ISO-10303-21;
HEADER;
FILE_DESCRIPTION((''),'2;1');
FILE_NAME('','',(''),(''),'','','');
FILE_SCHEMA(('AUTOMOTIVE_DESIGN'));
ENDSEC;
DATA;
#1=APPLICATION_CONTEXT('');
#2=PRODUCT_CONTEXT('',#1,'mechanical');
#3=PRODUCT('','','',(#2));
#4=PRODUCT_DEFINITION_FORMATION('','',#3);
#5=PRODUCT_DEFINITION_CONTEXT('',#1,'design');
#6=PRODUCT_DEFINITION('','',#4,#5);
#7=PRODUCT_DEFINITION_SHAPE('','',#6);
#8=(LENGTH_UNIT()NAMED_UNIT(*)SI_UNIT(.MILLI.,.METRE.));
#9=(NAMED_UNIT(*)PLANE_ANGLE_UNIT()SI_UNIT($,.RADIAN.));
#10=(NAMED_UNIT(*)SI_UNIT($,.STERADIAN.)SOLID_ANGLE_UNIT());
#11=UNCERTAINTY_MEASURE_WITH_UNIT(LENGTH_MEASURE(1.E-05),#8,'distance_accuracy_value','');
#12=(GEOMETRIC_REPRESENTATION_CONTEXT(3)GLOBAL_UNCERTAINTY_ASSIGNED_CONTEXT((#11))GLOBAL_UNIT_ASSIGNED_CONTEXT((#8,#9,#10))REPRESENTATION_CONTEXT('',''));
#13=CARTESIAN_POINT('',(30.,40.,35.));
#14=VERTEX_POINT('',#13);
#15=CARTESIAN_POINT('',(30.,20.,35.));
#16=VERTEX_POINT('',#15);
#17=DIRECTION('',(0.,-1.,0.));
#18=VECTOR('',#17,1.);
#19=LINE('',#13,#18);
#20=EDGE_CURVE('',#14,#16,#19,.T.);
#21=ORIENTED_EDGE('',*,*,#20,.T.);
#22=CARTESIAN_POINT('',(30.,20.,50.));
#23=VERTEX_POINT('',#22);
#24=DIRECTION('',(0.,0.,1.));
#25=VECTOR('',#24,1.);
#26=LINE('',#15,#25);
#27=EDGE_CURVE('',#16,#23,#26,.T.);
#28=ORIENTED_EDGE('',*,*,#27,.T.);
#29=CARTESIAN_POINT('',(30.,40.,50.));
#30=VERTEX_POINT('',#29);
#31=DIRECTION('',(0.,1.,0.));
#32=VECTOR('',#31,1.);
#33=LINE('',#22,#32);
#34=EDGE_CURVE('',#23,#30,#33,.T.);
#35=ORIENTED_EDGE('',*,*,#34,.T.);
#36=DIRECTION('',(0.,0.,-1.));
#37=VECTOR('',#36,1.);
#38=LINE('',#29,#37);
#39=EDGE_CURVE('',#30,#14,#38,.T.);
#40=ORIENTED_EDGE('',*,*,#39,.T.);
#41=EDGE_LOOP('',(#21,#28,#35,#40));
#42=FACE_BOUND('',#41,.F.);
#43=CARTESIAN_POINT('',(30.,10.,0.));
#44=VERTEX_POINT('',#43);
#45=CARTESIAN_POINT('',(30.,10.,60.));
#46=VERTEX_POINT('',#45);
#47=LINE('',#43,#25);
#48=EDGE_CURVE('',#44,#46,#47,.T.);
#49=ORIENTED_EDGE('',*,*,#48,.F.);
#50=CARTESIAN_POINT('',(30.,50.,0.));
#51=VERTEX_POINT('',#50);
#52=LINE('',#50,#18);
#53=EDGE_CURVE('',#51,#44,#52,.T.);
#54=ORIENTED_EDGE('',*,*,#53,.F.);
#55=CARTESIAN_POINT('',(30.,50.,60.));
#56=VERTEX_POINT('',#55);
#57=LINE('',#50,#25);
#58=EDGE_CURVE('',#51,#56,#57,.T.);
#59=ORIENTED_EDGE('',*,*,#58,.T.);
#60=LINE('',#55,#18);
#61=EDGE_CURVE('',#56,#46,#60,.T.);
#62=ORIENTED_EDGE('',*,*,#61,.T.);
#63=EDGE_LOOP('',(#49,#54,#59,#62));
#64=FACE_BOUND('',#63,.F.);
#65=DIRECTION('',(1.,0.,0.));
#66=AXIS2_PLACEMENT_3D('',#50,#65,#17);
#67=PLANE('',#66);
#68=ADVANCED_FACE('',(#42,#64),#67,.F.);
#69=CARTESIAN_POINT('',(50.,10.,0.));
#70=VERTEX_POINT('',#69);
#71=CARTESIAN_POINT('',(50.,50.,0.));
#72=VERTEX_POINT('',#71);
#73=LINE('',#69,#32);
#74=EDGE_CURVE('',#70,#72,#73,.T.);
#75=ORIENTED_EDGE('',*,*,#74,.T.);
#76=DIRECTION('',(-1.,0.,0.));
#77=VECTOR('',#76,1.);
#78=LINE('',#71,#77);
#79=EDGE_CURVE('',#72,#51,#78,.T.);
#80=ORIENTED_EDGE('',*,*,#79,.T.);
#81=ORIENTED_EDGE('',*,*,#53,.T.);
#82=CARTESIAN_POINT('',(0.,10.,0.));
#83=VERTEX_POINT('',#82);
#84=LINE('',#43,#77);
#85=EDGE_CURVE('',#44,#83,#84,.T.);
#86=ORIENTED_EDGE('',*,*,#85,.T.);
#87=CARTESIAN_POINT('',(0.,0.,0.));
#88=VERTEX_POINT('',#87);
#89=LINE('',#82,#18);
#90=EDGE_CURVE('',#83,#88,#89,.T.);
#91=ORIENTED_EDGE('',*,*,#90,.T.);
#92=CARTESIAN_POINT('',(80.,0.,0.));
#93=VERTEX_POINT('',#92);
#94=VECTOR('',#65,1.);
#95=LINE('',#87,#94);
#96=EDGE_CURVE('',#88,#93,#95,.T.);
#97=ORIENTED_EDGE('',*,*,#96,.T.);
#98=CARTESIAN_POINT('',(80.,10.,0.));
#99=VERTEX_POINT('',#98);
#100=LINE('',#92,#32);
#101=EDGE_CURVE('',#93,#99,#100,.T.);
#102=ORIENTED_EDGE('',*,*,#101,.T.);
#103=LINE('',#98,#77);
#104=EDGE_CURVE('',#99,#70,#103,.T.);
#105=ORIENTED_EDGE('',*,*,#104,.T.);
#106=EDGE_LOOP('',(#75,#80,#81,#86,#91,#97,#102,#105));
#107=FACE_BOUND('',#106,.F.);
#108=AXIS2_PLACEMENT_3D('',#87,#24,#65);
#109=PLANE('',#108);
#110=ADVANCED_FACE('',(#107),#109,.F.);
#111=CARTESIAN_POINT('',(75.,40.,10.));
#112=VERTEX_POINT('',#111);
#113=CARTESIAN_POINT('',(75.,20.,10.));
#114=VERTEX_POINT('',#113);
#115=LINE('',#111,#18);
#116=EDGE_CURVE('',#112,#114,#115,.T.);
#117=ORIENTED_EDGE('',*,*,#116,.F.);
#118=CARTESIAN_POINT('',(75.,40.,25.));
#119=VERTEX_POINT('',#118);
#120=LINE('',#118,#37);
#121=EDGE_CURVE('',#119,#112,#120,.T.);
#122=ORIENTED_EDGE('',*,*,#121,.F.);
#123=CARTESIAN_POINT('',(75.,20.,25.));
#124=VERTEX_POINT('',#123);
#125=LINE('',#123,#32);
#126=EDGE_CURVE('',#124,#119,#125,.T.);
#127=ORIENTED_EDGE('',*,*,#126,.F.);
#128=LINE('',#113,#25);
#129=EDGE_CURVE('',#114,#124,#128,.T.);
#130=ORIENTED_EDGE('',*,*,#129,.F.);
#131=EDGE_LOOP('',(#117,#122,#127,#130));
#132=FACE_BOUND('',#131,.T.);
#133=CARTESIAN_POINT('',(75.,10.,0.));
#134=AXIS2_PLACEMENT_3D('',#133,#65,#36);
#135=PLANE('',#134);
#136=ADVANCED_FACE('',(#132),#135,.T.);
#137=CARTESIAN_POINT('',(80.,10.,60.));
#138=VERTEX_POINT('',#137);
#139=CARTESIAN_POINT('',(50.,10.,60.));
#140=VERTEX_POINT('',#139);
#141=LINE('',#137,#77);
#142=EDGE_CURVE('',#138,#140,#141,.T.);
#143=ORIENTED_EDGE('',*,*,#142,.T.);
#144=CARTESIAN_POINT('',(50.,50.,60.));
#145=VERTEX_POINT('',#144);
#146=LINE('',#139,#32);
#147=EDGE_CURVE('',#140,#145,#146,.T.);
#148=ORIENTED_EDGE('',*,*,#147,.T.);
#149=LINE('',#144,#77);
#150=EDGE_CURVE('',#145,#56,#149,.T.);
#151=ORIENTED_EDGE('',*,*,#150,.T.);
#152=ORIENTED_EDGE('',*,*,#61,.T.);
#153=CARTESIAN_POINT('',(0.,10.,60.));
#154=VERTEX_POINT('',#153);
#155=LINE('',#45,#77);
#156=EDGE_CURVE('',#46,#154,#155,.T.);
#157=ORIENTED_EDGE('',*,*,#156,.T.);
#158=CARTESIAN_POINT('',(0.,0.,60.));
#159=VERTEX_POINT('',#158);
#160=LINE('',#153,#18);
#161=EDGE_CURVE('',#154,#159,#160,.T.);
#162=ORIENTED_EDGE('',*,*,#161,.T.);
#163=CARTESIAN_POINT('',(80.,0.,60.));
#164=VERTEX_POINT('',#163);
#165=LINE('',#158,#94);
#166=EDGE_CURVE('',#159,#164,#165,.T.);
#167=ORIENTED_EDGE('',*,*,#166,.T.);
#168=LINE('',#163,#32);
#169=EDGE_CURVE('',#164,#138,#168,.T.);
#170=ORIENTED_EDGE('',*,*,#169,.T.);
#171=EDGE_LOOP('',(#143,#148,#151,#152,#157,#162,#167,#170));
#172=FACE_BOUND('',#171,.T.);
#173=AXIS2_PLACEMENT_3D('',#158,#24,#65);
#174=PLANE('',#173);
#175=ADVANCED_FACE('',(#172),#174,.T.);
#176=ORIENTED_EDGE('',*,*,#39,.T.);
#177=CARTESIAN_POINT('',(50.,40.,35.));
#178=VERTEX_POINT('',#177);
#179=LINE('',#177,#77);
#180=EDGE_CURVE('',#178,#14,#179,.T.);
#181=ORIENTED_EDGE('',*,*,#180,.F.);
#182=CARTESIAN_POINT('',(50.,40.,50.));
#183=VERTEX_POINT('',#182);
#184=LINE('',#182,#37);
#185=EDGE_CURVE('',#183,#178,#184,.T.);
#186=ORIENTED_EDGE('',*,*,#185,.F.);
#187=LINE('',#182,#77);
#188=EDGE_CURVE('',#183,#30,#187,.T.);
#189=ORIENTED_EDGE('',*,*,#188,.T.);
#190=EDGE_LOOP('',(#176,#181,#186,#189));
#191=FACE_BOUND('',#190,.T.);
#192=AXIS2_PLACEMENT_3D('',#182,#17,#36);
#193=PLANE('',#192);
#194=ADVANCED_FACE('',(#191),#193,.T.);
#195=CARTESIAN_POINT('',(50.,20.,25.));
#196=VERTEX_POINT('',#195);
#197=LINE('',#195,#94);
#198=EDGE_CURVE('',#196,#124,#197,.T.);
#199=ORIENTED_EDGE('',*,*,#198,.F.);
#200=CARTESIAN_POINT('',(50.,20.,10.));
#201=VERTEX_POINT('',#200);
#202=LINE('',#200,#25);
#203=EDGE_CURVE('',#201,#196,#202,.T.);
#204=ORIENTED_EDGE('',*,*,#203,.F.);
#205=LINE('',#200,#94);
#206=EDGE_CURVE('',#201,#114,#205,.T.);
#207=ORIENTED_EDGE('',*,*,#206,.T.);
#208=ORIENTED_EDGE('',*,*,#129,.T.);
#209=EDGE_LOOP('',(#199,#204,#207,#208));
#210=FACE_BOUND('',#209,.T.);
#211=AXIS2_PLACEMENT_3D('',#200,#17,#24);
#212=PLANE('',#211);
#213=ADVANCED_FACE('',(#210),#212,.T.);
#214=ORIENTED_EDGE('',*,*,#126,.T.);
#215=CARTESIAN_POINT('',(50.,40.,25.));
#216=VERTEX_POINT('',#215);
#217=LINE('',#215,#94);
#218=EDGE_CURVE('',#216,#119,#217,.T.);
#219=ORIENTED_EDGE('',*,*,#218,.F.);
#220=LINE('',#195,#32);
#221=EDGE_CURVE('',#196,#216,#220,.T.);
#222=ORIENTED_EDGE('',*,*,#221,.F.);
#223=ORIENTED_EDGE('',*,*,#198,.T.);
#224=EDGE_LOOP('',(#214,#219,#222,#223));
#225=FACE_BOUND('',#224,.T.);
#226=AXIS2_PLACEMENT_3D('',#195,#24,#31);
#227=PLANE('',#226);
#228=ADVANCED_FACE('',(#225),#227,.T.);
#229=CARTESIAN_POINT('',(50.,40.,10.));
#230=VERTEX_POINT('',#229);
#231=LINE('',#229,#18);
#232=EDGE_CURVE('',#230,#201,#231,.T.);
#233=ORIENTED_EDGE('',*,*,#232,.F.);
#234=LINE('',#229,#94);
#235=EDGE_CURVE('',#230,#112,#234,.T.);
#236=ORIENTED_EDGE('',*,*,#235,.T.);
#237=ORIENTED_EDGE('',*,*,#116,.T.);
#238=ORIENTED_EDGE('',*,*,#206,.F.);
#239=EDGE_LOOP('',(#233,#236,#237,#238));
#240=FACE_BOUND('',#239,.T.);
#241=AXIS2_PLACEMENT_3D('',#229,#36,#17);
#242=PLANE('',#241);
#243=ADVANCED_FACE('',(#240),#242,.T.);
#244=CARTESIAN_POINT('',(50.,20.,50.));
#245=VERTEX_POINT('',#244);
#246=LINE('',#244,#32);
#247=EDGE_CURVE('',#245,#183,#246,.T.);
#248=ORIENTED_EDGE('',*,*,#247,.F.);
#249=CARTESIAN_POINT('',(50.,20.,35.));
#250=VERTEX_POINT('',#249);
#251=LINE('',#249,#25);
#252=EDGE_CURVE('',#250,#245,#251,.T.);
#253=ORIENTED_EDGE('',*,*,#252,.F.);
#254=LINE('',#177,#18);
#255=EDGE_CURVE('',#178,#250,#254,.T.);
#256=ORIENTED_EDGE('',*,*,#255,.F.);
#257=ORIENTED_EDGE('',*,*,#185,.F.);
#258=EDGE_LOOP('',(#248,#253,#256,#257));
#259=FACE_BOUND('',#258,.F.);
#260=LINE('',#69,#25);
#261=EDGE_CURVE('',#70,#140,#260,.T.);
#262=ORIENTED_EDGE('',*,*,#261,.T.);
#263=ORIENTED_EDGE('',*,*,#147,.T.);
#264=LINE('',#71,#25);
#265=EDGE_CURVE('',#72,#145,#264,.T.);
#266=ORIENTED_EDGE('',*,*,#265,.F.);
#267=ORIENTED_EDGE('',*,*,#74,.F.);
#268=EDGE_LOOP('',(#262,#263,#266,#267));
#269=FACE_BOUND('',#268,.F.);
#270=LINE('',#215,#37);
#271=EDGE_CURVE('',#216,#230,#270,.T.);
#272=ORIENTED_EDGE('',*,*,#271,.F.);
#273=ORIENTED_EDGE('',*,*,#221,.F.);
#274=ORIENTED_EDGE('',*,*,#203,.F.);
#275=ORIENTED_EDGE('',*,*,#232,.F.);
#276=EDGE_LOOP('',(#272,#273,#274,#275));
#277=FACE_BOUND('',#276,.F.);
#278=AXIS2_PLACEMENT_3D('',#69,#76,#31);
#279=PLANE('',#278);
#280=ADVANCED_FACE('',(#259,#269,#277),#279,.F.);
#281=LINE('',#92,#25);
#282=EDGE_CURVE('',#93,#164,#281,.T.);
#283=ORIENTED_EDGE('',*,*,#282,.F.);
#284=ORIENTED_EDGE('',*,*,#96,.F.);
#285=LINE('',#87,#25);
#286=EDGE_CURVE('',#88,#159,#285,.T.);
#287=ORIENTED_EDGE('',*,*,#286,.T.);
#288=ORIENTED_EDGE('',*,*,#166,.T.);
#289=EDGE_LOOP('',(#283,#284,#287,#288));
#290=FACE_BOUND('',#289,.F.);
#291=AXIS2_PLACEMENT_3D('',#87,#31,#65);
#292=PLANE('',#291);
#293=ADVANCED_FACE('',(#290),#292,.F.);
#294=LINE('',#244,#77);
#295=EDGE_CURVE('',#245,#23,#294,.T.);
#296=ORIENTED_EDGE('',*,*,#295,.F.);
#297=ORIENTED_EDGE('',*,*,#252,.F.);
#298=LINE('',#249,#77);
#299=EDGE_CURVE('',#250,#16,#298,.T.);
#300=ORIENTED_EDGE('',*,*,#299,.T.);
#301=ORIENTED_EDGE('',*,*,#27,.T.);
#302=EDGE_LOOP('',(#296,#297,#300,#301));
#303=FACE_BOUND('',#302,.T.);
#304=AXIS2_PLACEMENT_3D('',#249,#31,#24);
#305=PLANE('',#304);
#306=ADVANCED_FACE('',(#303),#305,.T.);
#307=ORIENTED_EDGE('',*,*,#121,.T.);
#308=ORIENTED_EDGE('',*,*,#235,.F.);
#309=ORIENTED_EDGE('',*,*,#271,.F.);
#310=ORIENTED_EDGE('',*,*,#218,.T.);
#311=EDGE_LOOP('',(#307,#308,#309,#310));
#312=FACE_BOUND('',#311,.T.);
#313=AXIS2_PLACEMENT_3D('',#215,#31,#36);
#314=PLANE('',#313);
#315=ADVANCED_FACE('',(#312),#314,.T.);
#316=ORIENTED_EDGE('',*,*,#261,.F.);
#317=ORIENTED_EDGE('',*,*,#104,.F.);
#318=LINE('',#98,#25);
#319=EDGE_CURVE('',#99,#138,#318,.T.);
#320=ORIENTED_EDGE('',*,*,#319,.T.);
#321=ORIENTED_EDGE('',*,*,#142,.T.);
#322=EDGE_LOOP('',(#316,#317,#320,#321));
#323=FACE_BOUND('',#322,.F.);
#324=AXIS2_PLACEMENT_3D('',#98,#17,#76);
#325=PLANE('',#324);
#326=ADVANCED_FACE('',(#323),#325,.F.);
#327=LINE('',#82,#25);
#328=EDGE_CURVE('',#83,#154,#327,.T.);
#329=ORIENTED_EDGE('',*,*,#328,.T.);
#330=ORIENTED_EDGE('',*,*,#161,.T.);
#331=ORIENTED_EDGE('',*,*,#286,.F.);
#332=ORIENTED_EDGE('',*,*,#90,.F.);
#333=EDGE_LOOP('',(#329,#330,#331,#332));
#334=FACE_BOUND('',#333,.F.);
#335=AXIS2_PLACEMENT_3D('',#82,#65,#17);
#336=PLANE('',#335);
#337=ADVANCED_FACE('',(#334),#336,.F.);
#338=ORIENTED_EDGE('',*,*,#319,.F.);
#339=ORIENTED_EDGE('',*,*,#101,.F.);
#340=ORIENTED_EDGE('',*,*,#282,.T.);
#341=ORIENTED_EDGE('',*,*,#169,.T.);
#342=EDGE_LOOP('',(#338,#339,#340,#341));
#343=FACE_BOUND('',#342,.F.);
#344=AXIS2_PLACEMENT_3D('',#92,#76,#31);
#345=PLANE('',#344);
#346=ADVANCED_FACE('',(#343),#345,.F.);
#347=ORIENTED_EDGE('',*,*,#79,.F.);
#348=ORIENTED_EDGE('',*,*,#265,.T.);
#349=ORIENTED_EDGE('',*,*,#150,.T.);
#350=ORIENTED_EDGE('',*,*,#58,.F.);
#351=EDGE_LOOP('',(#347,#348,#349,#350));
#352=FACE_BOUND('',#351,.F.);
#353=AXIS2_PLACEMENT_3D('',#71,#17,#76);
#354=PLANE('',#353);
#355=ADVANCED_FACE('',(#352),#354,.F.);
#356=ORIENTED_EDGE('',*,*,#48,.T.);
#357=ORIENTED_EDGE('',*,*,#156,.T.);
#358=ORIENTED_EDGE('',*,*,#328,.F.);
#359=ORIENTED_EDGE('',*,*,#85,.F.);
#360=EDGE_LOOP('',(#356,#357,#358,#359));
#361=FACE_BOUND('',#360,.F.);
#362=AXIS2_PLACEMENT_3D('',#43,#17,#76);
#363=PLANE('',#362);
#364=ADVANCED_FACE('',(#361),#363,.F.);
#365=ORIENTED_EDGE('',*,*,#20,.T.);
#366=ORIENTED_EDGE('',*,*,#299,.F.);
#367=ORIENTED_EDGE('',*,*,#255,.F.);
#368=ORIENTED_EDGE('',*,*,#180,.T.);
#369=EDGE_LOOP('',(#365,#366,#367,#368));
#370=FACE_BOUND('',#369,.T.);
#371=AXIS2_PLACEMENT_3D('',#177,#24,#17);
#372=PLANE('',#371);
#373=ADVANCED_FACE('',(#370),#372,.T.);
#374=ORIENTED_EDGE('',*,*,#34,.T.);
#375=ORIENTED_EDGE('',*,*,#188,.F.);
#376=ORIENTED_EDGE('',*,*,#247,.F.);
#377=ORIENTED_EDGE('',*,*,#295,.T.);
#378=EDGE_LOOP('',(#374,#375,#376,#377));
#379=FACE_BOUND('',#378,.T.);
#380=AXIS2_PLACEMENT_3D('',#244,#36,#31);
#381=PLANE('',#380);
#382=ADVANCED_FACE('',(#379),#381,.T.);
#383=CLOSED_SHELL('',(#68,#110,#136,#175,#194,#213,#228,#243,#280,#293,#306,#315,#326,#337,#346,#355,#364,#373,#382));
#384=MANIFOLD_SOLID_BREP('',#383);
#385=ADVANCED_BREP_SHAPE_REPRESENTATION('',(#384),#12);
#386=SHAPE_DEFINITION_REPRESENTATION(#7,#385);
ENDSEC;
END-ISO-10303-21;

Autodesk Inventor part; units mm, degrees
ref_plane "YZ Plane" through (0, 0, 0) normal (1, 0, 0) x (0, 1, 0)
ref_plane "XZ Plane" through (0, 0, 0) normal (0, 1, 0) x (-1, 0, 0)
ref_plane "XY Plane" through (0, 0, 0) normal (0, 0, 1) x (1, 0, 0)
sketch "Sketch1" plane through (0, 0, 0) normal (0, 0, 1) x (1, 0, 0)
  line L0 (0, 0) -> (80, 0)
  line L1 (80, 0) -> (80, 10)
  line L2 (80, 10) -> (50, 10)
  line L3 (50, 10) -> (50, 50)
  line L4 (50, 50) -> (30, 50)
  line L5 (30, 50) -> (30, 10)
  line L6 (30, 10) -> (0, 10)
  line L7 (0, 10) -> (0, 0)
  dimension "d0" = 80
  dimension "d1" = 10
  dimension "d2" = 40
extrude "Extrusion1" add sketch "Sketch1" along normal blind 60
sketch "Sketch2" plane through (50, 10, 0) normal (1, 0, 0) x (0, 0, -1)
  line L0 (-10, 10) -> (-25, 10)
  line L1 (-25, 10) -> (-25, 30)
  line L2 (-25, 30) -> (-10, 30)
  line L3 (-10, 30) -> (-10, 10)
  line L4 (-50, 30) -> (-50, 10)
  line L5 (-50, 10) -> (-35, 10)
  line L6 (-35, 10) -> (-35, 30)
  line L7 (-35, 30) -> (-50, 30)
  point P0 (0, -10)
extrude "Extrusion2" add sketch "Sketch2" along normal blind 25 contours L0 L1 L2 L3
sketch "Sketch3" plane through (50, 10, 0) normal (1, 0, 0) x (0, 0, -1)
  line L0 (-35, 30) -> (-35, 10)
  line L1 (-35, 10) -> (-50, 10)
  line L2 (-50, 10) -> (-50, 30)
  line L3 (-60, 40) -> (-60, 0) projected
  line L4 (-50, 30) -> (-35, 30)
  point P0 (0, -10)
extrude "Extrusion3" cut sketch "Sketch3" against normal blind 20
properties part number "P3-8"
